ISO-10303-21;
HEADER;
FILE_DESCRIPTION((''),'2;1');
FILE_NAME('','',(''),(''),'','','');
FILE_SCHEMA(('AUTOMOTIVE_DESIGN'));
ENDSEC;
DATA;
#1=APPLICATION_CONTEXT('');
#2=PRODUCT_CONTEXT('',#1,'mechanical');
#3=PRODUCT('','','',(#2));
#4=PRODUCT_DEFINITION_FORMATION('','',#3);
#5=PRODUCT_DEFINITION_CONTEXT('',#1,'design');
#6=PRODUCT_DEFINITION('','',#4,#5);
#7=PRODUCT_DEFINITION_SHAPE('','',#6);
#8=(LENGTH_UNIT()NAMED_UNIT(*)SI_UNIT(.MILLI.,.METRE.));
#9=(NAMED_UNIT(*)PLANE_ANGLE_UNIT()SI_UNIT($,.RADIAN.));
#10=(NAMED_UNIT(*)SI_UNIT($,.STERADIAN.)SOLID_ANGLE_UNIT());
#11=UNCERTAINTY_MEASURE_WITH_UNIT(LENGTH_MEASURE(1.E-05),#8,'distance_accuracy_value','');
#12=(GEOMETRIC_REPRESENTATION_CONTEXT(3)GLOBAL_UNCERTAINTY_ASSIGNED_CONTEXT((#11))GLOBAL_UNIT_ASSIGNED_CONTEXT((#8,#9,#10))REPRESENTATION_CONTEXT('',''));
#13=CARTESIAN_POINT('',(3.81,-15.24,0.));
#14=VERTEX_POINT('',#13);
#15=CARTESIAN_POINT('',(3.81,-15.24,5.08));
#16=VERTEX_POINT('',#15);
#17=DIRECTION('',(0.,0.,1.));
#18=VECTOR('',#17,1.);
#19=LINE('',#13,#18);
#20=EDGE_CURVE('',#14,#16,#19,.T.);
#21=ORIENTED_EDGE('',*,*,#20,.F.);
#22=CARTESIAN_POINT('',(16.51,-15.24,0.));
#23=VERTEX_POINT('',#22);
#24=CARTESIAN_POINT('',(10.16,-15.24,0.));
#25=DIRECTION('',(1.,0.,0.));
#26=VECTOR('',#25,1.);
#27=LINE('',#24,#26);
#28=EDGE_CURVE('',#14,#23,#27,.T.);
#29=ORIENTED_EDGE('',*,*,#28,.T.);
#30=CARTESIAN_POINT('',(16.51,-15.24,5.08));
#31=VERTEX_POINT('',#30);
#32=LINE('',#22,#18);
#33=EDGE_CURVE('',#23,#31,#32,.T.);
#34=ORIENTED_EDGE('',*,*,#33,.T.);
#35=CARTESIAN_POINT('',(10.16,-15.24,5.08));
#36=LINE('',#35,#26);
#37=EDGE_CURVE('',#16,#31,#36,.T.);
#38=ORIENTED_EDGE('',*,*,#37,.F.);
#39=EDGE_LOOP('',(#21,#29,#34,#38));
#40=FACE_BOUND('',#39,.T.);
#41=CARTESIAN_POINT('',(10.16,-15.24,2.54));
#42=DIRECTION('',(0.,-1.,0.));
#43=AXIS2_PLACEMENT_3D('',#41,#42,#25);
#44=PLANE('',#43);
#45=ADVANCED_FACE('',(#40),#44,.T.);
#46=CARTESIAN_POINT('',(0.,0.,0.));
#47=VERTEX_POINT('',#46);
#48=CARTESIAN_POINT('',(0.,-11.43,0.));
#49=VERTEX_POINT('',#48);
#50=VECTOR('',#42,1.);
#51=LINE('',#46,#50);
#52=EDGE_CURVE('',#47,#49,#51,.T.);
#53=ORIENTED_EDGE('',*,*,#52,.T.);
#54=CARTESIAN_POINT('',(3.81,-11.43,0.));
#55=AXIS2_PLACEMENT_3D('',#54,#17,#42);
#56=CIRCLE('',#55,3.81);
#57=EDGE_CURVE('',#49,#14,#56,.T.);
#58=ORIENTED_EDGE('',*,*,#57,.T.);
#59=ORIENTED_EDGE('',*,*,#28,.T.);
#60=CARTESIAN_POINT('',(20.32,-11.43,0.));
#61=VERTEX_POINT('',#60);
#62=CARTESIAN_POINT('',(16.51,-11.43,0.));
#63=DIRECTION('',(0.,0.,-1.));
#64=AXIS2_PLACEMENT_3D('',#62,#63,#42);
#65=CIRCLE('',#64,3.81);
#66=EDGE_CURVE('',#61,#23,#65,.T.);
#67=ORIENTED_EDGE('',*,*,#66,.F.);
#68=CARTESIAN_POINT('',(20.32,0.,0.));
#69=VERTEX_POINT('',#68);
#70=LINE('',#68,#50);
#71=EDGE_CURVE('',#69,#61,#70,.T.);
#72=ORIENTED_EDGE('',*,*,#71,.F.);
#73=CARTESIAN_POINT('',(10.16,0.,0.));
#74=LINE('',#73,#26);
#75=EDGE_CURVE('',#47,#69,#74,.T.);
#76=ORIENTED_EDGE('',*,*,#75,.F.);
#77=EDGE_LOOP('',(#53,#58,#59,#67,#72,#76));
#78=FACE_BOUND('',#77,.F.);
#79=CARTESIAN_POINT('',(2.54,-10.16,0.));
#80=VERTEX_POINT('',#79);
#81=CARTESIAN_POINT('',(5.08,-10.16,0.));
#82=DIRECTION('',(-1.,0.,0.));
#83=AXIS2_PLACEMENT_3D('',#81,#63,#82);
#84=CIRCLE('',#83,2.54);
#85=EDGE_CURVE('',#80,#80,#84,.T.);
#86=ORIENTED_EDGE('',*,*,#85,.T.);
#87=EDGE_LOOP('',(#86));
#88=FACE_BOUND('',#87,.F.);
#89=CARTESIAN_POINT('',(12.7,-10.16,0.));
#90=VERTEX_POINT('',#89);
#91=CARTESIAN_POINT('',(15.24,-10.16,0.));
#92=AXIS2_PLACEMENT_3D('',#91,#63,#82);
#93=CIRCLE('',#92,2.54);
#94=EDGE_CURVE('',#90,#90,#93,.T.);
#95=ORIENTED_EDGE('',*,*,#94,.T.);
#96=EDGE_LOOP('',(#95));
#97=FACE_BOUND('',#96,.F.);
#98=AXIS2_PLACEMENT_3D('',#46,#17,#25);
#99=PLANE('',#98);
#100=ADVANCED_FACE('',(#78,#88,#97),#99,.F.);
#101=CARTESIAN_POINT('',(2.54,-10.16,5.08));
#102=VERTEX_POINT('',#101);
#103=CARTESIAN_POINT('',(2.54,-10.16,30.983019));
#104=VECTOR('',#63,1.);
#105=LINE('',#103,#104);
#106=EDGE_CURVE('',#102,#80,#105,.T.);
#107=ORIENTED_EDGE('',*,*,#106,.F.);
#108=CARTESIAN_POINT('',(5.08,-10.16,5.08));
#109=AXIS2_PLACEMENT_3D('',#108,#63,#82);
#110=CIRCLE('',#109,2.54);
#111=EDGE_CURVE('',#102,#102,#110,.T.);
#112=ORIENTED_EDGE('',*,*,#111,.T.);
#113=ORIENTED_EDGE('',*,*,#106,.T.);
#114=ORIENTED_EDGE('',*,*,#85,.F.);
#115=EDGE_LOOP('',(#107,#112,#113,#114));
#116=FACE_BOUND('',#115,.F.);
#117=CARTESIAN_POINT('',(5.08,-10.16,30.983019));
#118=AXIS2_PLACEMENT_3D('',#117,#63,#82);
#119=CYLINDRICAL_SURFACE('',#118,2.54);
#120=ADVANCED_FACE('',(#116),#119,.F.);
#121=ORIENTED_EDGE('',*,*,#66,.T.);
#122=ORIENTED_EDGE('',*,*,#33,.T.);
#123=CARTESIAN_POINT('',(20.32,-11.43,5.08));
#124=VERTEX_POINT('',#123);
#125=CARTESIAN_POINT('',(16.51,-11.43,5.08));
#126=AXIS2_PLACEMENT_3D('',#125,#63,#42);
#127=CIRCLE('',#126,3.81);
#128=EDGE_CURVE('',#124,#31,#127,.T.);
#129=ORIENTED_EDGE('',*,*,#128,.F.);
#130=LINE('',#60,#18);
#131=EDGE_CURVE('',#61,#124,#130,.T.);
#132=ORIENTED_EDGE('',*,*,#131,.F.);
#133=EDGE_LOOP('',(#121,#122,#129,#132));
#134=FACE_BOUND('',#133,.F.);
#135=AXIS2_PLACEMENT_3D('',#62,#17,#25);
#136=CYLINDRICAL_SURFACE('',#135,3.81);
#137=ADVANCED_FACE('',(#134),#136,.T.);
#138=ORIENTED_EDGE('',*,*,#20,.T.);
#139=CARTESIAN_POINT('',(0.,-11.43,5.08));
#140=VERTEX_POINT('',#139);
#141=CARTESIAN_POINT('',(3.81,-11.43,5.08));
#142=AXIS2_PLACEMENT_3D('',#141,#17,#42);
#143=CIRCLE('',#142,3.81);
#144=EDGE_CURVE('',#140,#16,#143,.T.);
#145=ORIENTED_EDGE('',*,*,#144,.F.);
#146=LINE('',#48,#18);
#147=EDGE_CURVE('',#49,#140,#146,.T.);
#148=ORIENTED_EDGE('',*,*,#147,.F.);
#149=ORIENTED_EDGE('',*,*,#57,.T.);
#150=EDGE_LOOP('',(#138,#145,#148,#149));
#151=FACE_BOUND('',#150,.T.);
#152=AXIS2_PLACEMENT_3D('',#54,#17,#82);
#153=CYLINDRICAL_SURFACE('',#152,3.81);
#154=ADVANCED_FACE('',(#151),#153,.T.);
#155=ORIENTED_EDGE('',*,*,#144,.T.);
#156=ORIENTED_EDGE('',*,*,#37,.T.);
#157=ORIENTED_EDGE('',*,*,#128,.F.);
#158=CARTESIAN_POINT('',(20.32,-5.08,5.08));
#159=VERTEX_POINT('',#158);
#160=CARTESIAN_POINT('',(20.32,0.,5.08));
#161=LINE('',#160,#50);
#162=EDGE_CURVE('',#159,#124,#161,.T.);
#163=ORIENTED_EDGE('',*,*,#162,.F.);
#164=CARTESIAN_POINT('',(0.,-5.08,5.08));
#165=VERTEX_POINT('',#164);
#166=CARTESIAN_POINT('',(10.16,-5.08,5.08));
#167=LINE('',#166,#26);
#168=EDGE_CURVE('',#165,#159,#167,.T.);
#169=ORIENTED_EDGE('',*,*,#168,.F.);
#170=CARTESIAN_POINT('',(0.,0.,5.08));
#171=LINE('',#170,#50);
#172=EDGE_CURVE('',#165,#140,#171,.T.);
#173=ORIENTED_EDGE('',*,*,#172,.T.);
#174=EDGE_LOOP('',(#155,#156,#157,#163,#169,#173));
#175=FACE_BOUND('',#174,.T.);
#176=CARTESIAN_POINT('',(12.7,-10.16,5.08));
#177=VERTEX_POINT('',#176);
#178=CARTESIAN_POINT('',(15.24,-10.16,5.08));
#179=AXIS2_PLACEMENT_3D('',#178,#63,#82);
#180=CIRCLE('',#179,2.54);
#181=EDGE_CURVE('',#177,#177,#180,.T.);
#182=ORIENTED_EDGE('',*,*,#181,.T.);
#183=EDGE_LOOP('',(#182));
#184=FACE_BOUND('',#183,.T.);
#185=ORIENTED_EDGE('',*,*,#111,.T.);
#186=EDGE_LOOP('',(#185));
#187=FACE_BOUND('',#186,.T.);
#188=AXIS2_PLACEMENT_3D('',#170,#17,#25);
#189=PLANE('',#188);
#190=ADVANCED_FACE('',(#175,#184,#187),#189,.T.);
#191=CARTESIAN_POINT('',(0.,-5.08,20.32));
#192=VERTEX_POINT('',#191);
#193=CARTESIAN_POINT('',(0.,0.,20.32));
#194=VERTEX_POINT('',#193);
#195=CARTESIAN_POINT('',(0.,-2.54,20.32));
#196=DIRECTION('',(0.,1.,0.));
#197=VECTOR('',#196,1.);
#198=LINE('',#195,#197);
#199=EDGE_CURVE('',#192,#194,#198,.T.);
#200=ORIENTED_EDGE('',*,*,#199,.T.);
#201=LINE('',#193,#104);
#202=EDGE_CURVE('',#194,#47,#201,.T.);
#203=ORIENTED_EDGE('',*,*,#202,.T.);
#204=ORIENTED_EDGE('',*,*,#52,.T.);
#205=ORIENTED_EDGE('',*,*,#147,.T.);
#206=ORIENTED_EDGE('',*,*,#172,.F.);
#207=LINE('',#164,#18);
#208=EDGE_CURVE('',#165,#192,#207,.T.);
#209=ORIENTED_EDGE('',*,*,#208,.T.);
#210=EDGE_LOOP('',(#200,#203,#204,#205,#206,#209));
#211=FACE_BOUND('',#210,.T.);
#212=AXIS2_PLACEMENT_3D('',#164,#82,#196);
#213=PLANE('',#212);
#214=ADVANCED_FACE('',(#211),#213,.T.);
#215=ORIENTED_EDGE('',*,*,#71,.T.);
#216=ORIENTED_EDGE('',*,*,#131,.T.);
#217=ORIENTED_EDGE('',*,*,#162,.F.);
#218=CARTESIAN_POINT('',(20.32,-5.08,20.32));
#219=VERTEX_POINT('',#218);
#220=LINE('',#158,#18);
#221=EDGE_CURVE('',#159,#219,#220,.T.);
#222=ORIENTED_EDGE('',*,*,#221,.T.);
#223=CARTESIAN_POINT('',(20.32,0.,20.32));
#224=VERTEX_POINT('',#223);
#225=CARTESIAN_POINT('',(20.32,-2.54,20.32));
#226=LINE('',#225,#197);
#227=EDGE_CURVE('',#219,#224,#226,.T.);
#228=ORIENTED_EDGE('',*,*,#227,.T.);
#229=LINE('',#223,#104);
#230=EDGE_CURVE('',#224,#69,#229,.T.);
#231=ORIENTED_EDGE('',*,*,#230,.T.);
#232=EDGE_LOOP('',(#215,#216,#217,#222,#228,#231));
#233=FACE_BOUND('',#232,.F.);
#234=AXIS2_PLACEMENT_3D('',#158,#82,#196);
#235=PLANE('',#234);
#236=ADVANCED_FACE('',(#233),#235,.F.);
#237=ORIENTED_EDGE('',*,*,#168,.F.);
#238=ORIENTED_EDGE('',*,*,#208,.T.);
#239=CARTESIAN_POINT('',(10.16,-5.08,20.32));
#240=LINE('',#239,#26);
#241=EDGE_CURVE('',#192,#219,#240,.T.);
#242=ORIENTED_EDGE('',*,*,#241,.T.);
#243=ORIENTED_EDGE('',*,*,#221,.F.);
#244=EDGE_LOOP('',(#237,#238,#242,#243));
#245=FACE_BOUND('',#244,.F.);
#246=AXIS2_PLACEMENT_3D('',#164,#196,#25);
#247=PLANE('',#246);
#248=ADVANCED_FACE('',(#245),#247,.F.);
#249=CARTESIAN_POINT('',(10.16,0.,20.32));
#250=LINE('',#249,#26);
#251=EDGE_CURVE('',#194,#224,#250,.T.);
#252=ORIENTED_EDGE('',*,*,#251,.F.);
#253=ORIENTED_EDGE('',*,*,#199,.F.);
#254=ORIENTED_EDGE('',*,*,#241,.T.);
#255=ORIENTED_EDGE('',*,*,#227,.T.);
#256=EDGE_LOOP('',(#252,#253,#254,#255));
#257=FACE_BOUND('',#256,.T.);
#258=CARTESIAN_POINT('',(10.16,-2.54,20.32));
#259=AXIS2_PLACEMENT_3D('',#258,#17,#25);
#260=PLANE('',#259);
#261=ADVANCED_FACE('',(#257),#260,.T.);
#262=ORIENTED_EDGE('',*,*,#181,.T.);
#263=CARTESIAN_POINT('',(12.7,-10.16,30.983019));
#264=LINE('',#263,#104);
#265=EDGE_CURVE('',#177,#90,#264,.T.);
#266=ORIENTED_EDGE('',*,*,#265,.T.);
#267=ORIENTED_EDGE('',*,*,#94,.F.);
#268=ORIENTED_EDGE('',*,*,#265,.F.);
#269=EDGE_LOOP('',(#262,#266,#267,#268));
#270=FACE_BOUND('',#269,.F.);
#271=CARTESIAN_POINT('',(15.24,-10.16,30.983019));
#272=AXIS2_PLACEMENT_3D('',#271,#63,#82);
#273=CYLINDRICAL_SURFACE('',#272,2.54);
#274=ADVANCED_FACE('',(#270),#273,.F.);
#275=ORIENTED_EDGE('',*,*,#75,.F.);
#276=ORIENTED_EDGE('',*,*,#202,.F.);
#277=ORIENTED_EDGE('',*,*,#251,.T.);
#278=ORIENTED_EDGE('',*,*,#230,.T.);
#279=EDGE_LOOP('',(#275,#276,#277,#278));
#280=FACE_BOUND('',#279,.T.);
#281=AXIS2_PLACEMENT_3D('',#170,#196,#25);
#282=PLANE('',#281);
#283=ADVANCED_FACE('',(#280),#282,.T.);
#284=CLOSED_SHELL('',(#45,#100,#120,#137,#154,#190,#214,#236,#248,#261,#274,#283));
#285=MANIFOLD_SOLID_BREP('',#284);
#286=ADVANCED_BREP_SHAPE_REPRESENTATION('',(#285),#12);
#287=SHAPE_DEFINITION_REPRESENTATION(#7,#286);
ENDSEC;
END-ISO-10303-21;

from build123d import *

# Parameters (mm, degrees)
F0_W     = 20.32
F0_H     = 5.08
F1_DEPTH = 15.24
F2_R     = 3.81
F4_D     = 5.08
F5_W     = 20.32
F5_H     = 5.08
F6_DEPTH = 15.24


with BuildPart() as f1:
    # F0 (on Front) → F1 (new body)
    with BuildSketch(Plane.XZ):
        with Locations((10.16, 2.54)):
            Rectangle(F0_W, F0_H)
    extrude(amount=F1_DEPTH)

    # F2
    f2_edges = [f1.edges().sort_by_distance(p)[0] for p in [
        (20.32, -15.24, 2.54),
        (0, -15.24, 2.54),
    ]]
    fillet(f2_edges, radius=F2_R)

    # F4 (through all)
    with Locations(Plane.XY.offset(5.08)):
        with Locations((5.08, -10.16), (15.24, -10.16)):
            Hole(F4_D / 2)

    # F5 (on face) → F6 (join)
    with BuildSketch(Plane.XY.offset(5.08)):
        with Locations((10.16, -2.54)):
            Rectangle(F5_W, F5_H)
    extrude(amount=F6_DEPTH)


solid = f1.part
